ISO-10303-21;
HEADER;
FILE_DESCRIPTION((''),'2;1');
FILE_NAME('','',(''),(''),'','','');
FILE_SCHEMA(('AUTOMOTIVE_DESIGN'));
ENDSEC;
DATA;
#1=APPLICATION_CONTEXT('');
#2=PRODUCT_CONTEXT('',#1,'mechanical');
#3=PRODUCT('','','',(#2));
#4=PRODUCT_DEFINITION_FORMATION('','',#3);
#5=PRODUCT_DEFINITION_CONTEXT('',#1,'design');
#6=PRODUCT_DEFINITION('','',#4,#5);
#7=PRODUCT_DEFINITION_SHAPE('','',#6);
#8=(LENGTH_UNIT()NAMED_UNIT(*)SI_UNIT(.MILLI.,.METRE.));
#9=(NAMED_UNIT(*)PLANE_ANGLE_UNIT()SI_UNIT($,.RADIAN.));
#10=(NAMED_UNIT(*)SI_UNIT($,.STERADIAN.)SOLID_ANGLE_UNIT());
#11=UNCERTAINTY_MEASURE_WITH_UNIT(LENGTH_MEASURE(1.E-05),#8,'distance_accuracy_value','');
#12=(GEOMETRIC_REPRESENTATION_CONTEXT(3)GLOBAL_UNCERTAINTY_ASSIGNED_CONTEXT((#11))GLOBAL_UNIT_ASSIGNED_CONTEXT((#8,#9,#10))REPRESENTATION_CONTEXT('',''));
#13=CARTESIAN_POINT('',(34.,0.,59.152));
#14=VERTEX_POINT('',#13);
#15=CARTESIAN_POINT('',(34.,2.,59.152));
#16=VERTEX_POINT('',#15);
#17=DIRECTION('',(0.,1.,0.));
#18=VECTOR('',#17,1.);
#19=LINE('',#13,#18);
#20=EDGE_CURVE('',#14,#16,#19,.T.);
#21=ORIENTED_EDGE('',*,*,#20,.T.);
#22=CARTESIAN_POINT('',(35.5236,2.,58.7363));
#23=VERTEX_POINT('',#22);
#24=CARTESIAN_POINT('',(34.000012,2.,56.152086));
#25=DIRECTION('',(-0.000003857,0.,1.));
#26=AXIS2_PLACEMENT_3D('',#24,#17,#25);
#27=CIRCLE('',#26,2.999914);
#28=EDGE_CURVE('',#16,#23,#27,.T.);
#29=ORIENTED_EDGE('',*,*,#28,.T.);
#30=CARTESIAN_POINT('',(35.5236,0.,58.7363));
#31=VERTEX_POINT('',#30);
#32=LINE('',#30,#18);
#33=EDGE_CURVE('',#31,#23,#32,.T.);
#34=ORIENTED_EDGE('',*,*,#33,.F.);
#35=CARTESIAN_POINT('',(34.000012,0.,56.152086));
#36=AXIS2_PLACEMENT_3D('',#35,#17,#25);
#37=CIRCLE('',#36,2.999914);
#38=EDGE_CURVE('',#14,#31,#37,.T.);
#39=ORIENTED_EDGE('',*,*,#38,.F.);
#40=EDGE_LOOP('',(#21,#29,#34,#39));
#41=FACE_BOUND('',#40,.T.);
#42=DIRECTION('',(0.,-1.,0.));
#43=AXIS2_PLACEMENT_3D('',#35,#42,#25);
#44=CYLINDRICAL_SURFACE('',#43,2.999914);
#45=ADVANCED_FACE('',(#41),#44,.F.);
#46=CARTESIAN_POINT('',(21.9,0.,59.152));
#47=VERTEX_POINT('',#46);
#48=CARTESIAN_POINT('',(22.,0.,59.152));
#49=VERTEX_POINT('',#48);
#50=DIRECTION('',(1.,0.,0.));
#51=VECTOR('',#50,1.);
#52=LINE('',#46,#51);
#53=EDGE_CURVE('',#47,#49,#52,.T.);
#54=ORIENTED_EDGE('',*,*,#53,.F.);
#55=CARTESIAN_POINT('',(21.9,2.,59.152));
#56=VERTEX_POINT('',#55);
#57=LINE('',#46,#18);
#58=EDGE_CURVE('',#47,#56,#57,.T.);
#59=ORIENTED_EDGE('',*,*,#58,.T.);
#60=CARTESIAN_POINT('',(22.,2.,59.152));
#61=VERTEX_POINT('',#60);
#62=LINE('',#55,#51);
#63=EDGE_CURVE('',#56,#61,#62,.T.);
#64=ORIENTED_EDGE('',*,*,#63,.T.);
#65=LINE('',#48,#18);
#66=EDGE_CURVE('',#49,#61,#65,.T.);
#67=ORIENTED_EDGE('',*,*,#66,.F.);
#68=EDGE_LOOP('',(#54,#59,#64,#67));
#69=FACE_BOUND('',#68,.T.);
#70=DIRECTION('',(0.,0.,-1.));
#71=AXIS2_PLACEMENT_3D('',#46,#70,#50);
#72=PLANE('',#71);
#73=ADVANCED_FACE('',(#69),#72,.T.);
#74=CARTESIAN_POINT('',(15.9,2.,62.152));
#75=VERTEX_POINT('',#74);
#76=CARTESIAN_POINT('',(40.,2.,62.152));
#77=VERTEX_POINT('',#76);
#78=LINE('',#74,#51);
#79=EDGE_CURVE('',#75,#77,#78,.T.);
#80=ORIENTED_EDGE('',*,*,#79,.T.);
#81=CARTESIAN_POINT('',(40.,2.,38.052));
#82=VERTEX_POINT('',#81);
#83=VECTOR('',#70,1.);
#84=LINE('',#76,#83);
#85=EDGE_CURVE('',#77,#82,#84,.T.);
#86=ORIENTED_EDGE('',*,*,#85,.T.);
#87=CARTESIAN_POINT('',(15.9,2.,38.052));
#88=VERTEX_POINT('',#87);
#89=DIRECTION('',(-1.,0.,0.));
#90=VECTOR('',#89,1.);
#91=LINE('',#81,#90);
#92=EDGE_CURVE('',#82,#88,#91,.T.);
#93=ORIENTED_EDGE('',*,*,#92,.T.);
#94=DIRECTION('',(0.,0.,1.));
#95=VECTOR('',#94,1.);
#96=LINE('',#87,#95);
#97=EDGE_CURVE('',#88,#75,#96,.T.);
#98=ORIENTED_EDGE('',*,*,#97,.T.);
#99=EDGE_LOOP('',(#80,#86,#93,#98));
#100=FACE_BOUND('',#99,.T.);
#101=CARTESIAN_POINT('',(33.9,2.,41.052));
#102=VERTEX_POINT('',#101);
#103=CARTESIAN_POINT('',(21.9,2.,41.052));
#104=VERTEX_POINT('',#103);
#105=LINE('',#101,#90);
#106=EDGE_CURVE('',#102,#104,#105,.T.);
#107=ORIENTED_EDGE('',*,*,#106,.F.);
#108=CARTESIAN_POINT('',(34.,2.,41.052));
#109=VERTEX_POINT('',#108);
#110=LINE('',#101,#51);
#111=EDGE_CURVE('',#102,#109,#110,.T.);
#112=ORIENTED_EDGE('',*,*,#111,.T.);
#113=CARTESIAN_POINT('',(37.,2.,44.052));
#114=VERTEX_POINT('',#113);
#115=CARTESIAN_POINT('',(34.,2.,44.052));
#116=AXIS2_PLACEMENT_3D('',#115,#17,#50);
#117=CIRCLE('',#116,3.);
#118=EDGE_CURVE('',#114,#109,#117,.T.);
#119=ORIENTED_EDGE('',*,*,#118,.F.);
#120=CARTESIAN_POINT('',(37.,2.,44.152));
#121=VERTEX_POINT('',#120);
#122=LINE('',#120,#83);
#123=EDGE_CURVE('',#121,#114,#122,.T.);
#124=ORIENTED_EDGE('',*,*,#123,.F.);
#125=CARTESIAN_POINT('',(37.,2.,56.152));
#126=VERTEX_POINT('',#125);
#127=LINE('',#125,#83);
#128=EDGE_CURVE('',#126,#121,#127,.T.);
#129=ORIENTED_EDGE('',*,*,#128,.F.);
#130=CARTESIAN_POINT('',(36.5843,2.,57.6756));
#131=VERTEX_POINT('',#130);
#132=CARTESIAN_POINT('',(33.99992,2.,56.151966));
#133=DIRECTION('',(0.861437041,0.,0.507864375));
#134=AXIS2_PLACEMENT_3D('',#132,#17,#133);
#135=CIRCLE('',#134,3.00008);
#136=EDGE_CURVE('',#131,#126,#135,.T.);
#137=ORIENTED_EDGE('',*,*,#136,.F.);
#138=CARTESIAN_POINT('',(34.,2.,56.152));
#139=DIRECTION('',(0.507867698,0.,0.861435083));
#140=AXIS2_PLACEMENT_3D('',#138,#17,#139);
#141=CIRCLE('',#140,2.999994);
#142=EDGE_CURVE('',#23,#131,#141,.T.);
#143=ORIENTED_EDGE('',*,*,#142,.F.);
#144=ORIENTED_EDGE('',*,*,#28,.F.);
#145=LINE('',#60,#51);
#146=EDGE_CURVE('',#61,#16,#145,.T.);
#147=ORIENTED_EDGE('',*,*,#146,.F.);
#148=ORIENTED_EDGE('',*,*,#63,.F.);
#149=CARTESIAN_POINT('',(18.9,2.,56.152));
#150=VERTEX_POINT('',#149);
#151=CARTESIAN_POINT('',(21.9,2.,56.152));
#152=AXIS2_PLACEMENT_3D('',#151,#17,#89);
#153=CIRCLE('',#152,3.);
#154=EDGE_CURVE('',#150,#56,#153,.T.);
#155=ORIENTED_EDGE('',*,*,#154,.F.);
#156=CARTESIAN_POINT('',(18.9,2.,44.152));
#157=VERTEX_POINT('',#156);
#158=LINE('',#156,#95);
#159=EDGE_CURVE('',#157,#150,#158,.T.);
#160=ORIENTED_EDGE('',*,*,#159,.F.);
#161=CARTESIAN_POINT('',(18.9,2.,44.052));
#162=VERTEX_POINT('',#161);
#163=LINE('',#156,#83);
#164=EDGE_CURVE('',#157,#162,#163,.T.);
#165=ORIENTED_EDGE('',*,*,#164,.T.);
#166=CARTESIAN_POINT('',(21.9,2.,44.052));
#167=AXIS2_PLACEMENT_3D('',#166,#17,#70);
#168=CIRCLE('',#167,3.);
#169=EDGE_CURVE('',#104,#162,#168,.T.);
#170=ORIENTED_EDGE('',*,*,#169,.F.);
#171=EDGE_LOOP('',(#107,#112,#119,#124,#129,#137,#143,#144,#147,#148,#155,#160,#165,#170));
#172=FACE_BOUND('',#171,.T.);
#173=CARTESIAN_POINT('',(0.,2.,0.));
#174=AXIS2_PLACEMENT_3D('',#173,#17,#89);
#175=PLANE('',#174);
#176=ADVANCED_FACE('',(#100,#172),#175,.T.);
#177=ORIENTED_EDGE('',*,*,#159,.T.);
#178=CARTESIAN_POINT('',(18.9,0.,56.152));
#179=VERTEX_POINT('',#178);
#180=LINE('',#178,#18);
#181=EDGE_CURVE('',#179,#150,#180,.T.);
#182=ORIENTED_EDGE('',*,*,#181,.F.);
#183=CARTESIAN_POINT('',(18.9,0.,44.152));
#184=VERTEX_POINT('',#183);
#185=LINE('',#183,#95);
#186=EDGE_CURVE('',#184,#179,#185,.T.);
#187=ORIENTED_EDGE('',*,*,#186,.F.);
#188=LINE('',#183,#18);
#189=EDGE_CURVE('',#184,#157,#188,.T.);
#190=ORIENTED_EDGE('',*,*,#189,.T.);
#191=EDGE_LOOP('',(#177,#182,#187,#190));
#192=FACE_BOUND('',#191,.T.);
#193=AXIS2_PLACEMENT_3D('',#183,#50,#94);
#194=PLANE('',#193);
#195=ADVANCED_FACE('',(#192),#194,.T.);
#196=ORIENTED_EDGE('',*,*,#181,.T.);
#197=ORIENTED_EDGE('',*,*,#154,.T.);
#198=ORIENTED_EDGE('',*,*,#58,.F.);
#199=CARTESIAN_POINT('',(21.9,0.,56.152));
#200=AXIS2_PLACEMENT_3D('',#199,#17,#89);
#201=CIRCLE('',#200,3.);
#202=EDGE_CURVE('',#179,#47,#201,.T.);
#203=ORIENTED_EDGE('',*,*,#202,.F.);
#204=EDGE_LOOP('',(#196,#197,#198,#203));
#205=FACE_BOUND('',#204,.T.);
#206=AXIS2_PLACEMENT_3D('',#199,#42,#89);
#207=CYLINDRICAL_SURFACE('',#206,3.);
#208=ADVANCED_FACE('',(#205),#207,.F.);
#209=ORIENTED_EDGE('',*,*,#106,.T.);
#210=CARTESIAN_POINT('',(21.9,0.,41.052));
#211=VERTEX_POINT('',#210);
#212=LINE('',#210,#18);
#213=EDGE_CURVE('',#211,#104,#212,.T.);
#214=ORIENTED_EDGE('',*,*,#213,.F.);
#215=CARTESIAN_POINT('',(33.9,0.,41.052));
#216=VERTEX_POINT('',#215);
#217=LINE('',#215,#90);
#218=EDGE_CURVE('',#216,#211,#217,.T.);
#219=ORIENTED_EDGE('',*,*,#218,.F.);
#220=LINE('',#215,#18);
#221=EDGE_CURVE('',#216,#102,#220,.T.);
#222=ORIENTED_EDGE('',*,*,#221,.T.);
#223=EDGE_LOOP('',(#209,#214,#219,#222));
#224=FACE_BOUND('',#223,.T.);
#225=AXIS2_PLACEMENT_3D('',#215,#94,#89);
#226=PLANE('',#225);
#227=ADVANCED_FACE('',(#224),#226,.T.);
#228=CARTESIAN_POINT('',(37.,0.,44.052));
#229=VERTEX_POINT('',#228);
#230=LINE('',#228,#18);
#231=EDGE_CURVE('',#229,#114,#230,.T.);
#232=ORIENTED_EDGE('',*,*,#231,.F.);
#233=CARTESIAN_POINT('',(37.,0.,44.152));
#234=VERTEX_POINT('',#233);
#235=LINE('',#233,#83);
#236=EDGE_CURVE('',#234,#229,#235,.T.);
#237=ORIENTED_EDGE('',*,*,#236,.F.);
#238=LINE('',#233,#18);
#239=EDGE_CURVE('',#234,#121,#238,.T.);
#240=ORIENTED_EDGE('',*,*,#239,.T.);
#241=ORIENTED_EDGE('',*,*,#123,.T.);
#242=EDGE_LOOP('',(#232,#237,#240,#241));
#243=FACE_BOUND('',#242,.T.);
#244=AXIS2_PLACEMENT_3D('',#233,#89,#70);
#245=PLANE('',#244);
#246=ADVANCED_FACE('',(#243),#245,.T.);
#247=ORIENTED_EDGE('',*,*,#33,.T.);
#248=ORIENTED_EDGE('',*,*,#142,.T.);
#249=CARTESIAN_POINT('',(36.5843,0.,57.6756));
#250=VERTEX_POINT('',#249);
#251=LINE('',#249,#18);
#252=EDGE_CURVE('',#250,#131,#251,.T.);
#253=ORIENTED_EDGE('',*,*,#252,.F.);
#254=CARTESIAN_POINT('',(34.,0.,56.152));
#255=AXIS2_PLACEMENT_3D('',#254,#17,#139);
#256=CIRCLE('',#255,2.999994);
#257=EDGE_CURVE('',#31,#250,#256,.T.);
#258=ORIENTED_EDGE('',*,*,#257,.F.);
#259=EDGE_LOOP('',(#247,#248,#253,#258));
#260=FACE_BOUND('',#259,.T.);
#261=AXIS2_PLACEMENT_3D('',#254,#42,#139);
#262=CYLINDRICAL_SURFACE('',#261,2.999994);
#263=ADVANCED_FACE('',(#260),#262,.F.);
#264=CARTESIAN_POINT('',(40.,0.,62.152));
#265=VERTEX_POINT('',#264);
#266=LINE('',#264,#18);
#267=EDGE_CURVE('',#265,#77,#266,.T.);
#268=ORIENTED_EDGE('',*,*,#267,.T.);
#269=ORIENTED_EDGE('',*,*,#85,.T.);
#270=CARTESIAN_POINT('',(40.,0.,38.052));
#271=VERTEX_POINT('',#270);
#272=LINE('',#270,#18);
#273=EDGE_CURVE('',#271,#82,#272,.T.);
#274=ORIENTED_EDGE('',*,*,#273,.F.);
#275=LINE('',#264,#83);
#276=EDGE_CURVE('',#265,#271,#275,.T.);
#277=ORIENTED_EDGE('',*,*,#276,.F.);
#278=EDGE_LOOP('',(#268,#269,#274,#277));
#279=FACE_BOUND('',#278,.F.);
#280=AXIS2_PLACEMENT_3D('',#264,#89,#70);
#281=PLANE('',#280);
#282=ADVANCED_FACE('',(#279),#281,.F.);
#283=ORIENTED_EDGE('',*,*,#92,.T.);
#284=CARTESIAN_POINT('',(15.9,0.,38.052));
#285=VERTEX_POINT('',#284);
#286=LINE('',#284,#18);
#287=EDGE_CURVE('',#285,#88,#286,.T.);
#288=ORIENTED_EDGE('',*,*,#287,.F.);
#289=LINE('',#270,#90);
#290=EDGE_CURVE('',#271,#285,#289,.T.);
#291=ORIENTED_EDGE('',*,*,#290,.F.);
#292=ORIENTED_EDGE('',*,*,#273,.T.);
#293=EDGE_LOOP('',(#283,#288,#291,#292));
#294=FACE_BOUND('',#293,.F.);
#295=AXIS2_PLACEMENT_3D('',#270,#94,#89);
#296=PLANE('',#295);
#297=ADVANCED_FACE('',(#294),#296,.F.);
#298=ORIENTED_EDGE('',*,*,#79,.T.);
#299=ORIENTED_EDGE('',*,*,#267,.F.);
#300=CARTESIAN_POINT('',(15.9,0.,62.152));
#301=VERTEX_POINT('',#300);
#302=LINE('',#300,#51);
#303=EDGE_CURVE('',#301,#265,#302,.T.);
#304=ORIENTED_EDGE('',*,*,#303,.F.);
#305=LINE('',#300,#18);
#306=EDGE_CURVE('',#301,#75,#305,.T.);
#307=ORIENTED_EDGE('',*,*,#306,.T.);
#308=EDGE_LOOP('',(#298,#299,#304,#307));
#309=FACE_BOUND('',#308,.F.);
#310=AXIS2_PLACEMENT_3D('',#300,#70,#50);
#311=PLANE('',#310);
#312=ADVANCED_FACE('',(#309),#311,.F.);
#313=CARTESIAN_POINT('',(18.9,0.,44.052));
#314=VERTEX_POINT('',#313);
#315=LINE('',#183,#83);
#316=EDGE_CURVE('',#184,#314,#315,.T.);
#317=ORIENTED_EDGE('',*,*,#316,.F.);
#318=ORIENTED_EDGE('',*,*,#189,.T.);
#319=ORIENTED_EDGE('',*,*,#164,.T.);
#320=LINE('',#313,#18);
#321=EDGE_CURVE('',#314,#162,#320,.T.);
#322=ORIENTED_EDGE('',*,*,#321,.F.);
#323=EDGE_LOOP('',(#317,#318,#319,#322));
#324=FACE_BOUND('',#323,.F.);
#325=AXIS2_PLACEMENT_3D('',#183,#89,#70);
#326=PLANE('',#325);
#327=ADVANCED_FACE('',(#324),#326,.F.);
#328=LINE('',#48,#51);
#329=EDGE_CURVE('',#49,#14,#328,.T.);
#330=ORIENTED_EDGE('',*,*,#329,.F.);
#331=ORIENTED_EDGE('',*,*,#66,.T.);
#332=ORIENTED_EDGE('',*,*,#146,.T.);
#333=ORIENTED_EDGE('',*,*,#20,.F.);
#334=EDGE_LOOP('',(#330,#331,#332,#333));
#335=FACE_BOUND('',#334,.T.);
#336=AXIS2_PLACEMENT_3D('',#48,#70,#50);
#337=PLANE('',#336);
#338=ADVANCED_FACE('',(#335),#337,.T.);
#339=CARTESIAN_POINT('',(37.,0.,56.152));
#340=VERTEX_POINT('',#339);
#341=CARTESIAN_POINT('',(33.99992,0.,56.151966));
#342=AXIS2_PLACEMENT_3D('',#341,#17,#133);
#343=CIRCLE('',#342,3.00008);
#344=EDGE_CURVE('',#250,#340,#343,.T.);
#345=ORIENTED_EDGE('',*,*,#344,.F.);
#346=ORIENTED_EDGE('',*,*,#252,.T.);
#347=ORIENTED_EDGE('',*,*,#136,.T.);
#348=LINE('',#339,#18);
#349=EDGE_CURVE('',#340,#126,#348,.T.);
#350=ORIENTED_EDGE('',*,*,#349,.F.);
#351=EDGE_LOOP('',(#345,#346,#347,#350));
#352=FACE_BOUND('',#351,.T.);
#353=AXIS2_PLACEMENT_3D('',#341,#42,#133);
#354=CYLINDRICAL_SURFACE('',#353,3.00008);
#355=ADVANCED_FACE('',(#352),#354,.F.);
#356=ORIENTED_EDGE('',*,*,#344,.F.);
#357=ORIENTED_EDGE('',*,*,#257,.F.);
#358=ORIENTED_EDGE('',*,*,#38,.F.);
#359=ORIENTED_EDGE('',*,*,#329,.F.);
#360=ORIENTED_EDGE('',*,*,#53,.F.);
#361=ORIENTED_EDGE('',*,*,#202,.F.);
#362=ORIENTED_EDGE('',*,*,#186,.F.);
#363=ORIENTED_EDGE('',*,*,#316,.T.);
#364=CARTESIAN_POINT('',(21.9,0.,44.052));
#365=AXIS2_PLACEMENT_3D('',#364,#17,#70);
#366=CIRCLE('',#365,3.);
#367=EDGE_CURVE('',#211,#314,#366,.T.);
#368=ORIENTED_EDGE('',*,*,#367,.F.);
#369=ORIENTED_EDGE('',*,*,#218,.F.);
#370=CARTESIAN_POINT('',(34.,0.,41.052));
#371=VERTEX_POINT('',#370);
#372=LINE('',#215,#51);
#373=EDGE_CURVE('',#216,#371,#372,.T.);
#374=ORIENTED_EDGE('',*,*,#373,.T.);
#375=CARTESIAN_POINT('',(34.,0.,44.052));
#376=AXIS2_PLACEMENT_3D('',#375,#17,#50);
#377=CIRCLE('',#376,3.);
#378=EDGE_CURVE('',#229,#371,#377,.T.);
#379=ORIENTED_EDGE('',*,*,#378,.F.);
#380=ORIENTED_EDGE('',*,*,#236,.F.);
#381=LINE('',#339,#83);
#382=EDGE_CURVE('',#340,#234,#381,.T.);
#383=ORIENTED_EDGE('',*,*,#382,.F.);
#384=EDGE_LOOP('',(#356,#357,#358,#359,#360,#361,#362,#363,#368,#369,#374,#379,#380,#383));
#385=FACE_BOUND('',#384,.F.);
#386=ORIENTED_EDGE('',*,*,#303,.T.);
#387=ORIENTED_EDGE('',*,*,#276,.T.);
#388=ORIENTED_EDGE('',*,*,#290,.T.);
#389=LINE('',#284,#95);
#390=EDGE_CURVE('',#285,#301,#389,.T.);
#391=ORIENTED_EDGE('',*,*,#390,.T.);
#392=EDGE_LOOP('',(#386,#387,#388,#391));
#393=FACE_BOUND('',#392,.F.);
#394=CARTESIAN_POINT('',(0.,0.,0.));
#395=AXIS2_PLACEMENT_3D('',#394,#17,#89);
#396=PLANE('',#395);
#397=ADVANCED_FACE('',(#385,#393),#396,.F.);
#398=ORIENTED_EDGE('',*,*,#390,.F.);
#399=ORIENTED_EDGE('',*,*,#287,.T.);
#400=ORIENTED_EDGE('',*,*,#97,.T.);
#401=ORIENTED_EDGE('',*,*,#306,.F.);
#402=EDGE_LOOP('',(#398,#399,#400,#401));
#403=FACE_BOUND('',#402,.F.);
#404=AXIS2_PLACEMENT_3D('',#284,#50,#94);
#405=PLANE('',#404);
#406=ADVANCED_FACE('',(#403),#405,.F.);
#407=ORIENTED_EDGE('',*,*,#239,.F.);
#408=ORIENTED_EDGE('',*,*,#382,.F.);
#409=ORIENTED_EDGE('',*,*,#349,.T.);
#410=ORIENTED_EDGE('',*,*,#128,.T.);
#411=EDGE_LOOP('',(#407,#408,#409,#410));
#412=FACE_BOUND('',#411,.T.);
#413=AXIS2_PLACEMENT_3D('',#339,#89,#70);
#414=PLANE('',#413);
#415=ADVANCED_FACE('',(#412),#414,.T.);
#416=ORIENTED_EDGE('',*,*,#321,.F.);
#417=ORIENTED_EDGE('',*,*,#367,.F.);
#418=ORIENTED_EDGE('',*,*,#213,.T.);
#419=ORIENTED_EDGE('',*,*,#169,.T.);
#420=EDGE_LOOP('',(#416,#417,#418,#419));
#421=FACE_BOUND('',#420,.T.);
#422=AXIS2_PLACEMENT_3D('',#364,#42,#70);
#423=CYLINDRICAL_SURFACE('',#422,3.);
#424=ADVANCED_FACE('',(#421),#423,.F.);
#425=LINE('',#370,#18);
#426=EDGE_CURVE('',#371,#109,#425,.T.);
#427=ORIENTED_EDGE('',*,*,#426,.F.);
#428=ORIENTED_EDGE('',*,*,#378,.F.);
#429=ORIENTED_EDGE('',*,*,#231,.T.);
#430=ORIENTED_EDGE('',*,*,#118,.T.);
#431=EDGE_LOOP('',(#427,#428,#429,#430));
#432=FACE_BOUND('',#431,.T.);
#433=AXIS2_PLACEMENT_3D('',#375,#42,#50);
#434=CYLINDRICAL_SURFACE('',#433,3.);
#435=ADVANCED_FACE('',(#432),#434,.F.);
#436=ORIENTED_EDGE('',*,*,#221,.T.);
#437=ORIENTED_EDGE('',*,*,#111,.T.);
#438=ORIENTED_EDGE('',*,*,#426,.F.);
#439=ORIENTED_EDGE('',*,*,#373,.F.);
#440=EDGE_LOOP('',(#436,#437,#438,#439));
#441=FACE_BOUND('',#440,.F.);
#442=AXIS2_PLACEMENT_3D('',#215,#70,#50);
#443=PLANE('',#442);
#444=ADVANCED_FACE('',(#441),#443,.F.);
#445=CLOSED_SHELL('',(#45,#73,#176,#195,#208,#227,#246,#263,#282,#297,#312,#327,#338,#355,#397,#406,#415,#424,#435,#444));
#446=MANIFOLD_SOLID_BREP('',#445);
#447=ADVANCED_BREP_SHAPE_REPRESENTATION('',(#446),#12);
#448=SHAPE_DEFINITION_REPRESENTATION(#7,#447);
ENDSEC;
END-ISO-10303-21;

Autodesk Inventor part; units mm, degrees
ref_plane "YZ Plane" through (0, 0, 0) normal (1, 0, 0) x (0, 1, 0)
ref_plane "XZ Plane" through (0, 0, 0) normal (0, 1, 0) x (-1, 0, 0)
ref_plane "XY Plane" through (0, 0, 0) normal (0, 0, 1) x (1, 0, 0)
sketch "Sketch2" plane through (0, 0, 0) normal (0, 1, 0) x (-1, 0, 0)
  line L0 (-22, 59.152) -> (-34, 59.152)
  arc A0 (-34, 59.152) -> (-35.5236, 58.7363) centre (-34, 56.152) ccw
  arc A1 (-35.5236, 58.7363) -> (-36.5843, 57.6756) centre (-34, 56.152) ccw
  arc A2 (-36.5843, 57.6756) -> (-37, 56.152) centre (-34, 56.152) ccw
  line L1 (-37, 56.152) -> (-37, 44.152)
  arc A3 (-37, 44.052) -> (-34, 41.052) centre (-34, 44.052) ccw
  line L2 (-33.9, 41.052) -> (-21.9, 41.052)
  arc A4 (-21.9, 41.052) -> (-18.9, 44.052) centre (-21.9, 44.052) ccw
  line L3 (-18.9, 44.152) -> (-18.9, 56.152)
  arc A5 (-18.9, 56.152) -> (-21.9, 59.152) centre (-21.9, 56.152) ccw
  line L4 (-15.9, 62.152) -> (-40, 62.152)
  line L5 (-40, 62.152) -> (-40, 38.052)
  line L6 (-40, 38.052) -> (-15.9, 38.052)
  line L7 (-15.9, 38.052) -> (-15.9, 62.152)
  line L8 (-21.9, 59.152) -> (-22, 59.152)
  line L9 (-37, 44.152) -> (-37, 44.052)
  line L10 (-33.9, 41.052) -> (-34, 41.052)
  line L11 (-18.9, 44.152) -> (-18.9, 44.052)
  point P0 (0, 0)
  dimension "d6" = 18.1
  dimension "d7" = 18.1
  dimension "d14" = 3
  dimension "d24" = 3
  dimension "d25" = 3
  dimension "d28" = 3
  dimension "d29" = 3
extrude "Extrusion1" add sketch "Sketch2" along normal blind 2
equation "\"BendRadius\" = Thickness"
equation "\"BendReliefWidth\" = Thickness"
equation "\"BendReliefDepth\" = 0.5 * Thickness"
equation "\"CornerReliefSize\" = 4 * Thickness"
equation "\"MinimumRemnant\" = 2 * Thickness"
equation "\"TransitionRadius\" = BendRadius"
equation "\"JacobiRadiusSize\" = BendRadius"
equation "\"GapSize\" = Thickness"
equation "\"Thickness\" = 0.5"
properties part number "mould"
